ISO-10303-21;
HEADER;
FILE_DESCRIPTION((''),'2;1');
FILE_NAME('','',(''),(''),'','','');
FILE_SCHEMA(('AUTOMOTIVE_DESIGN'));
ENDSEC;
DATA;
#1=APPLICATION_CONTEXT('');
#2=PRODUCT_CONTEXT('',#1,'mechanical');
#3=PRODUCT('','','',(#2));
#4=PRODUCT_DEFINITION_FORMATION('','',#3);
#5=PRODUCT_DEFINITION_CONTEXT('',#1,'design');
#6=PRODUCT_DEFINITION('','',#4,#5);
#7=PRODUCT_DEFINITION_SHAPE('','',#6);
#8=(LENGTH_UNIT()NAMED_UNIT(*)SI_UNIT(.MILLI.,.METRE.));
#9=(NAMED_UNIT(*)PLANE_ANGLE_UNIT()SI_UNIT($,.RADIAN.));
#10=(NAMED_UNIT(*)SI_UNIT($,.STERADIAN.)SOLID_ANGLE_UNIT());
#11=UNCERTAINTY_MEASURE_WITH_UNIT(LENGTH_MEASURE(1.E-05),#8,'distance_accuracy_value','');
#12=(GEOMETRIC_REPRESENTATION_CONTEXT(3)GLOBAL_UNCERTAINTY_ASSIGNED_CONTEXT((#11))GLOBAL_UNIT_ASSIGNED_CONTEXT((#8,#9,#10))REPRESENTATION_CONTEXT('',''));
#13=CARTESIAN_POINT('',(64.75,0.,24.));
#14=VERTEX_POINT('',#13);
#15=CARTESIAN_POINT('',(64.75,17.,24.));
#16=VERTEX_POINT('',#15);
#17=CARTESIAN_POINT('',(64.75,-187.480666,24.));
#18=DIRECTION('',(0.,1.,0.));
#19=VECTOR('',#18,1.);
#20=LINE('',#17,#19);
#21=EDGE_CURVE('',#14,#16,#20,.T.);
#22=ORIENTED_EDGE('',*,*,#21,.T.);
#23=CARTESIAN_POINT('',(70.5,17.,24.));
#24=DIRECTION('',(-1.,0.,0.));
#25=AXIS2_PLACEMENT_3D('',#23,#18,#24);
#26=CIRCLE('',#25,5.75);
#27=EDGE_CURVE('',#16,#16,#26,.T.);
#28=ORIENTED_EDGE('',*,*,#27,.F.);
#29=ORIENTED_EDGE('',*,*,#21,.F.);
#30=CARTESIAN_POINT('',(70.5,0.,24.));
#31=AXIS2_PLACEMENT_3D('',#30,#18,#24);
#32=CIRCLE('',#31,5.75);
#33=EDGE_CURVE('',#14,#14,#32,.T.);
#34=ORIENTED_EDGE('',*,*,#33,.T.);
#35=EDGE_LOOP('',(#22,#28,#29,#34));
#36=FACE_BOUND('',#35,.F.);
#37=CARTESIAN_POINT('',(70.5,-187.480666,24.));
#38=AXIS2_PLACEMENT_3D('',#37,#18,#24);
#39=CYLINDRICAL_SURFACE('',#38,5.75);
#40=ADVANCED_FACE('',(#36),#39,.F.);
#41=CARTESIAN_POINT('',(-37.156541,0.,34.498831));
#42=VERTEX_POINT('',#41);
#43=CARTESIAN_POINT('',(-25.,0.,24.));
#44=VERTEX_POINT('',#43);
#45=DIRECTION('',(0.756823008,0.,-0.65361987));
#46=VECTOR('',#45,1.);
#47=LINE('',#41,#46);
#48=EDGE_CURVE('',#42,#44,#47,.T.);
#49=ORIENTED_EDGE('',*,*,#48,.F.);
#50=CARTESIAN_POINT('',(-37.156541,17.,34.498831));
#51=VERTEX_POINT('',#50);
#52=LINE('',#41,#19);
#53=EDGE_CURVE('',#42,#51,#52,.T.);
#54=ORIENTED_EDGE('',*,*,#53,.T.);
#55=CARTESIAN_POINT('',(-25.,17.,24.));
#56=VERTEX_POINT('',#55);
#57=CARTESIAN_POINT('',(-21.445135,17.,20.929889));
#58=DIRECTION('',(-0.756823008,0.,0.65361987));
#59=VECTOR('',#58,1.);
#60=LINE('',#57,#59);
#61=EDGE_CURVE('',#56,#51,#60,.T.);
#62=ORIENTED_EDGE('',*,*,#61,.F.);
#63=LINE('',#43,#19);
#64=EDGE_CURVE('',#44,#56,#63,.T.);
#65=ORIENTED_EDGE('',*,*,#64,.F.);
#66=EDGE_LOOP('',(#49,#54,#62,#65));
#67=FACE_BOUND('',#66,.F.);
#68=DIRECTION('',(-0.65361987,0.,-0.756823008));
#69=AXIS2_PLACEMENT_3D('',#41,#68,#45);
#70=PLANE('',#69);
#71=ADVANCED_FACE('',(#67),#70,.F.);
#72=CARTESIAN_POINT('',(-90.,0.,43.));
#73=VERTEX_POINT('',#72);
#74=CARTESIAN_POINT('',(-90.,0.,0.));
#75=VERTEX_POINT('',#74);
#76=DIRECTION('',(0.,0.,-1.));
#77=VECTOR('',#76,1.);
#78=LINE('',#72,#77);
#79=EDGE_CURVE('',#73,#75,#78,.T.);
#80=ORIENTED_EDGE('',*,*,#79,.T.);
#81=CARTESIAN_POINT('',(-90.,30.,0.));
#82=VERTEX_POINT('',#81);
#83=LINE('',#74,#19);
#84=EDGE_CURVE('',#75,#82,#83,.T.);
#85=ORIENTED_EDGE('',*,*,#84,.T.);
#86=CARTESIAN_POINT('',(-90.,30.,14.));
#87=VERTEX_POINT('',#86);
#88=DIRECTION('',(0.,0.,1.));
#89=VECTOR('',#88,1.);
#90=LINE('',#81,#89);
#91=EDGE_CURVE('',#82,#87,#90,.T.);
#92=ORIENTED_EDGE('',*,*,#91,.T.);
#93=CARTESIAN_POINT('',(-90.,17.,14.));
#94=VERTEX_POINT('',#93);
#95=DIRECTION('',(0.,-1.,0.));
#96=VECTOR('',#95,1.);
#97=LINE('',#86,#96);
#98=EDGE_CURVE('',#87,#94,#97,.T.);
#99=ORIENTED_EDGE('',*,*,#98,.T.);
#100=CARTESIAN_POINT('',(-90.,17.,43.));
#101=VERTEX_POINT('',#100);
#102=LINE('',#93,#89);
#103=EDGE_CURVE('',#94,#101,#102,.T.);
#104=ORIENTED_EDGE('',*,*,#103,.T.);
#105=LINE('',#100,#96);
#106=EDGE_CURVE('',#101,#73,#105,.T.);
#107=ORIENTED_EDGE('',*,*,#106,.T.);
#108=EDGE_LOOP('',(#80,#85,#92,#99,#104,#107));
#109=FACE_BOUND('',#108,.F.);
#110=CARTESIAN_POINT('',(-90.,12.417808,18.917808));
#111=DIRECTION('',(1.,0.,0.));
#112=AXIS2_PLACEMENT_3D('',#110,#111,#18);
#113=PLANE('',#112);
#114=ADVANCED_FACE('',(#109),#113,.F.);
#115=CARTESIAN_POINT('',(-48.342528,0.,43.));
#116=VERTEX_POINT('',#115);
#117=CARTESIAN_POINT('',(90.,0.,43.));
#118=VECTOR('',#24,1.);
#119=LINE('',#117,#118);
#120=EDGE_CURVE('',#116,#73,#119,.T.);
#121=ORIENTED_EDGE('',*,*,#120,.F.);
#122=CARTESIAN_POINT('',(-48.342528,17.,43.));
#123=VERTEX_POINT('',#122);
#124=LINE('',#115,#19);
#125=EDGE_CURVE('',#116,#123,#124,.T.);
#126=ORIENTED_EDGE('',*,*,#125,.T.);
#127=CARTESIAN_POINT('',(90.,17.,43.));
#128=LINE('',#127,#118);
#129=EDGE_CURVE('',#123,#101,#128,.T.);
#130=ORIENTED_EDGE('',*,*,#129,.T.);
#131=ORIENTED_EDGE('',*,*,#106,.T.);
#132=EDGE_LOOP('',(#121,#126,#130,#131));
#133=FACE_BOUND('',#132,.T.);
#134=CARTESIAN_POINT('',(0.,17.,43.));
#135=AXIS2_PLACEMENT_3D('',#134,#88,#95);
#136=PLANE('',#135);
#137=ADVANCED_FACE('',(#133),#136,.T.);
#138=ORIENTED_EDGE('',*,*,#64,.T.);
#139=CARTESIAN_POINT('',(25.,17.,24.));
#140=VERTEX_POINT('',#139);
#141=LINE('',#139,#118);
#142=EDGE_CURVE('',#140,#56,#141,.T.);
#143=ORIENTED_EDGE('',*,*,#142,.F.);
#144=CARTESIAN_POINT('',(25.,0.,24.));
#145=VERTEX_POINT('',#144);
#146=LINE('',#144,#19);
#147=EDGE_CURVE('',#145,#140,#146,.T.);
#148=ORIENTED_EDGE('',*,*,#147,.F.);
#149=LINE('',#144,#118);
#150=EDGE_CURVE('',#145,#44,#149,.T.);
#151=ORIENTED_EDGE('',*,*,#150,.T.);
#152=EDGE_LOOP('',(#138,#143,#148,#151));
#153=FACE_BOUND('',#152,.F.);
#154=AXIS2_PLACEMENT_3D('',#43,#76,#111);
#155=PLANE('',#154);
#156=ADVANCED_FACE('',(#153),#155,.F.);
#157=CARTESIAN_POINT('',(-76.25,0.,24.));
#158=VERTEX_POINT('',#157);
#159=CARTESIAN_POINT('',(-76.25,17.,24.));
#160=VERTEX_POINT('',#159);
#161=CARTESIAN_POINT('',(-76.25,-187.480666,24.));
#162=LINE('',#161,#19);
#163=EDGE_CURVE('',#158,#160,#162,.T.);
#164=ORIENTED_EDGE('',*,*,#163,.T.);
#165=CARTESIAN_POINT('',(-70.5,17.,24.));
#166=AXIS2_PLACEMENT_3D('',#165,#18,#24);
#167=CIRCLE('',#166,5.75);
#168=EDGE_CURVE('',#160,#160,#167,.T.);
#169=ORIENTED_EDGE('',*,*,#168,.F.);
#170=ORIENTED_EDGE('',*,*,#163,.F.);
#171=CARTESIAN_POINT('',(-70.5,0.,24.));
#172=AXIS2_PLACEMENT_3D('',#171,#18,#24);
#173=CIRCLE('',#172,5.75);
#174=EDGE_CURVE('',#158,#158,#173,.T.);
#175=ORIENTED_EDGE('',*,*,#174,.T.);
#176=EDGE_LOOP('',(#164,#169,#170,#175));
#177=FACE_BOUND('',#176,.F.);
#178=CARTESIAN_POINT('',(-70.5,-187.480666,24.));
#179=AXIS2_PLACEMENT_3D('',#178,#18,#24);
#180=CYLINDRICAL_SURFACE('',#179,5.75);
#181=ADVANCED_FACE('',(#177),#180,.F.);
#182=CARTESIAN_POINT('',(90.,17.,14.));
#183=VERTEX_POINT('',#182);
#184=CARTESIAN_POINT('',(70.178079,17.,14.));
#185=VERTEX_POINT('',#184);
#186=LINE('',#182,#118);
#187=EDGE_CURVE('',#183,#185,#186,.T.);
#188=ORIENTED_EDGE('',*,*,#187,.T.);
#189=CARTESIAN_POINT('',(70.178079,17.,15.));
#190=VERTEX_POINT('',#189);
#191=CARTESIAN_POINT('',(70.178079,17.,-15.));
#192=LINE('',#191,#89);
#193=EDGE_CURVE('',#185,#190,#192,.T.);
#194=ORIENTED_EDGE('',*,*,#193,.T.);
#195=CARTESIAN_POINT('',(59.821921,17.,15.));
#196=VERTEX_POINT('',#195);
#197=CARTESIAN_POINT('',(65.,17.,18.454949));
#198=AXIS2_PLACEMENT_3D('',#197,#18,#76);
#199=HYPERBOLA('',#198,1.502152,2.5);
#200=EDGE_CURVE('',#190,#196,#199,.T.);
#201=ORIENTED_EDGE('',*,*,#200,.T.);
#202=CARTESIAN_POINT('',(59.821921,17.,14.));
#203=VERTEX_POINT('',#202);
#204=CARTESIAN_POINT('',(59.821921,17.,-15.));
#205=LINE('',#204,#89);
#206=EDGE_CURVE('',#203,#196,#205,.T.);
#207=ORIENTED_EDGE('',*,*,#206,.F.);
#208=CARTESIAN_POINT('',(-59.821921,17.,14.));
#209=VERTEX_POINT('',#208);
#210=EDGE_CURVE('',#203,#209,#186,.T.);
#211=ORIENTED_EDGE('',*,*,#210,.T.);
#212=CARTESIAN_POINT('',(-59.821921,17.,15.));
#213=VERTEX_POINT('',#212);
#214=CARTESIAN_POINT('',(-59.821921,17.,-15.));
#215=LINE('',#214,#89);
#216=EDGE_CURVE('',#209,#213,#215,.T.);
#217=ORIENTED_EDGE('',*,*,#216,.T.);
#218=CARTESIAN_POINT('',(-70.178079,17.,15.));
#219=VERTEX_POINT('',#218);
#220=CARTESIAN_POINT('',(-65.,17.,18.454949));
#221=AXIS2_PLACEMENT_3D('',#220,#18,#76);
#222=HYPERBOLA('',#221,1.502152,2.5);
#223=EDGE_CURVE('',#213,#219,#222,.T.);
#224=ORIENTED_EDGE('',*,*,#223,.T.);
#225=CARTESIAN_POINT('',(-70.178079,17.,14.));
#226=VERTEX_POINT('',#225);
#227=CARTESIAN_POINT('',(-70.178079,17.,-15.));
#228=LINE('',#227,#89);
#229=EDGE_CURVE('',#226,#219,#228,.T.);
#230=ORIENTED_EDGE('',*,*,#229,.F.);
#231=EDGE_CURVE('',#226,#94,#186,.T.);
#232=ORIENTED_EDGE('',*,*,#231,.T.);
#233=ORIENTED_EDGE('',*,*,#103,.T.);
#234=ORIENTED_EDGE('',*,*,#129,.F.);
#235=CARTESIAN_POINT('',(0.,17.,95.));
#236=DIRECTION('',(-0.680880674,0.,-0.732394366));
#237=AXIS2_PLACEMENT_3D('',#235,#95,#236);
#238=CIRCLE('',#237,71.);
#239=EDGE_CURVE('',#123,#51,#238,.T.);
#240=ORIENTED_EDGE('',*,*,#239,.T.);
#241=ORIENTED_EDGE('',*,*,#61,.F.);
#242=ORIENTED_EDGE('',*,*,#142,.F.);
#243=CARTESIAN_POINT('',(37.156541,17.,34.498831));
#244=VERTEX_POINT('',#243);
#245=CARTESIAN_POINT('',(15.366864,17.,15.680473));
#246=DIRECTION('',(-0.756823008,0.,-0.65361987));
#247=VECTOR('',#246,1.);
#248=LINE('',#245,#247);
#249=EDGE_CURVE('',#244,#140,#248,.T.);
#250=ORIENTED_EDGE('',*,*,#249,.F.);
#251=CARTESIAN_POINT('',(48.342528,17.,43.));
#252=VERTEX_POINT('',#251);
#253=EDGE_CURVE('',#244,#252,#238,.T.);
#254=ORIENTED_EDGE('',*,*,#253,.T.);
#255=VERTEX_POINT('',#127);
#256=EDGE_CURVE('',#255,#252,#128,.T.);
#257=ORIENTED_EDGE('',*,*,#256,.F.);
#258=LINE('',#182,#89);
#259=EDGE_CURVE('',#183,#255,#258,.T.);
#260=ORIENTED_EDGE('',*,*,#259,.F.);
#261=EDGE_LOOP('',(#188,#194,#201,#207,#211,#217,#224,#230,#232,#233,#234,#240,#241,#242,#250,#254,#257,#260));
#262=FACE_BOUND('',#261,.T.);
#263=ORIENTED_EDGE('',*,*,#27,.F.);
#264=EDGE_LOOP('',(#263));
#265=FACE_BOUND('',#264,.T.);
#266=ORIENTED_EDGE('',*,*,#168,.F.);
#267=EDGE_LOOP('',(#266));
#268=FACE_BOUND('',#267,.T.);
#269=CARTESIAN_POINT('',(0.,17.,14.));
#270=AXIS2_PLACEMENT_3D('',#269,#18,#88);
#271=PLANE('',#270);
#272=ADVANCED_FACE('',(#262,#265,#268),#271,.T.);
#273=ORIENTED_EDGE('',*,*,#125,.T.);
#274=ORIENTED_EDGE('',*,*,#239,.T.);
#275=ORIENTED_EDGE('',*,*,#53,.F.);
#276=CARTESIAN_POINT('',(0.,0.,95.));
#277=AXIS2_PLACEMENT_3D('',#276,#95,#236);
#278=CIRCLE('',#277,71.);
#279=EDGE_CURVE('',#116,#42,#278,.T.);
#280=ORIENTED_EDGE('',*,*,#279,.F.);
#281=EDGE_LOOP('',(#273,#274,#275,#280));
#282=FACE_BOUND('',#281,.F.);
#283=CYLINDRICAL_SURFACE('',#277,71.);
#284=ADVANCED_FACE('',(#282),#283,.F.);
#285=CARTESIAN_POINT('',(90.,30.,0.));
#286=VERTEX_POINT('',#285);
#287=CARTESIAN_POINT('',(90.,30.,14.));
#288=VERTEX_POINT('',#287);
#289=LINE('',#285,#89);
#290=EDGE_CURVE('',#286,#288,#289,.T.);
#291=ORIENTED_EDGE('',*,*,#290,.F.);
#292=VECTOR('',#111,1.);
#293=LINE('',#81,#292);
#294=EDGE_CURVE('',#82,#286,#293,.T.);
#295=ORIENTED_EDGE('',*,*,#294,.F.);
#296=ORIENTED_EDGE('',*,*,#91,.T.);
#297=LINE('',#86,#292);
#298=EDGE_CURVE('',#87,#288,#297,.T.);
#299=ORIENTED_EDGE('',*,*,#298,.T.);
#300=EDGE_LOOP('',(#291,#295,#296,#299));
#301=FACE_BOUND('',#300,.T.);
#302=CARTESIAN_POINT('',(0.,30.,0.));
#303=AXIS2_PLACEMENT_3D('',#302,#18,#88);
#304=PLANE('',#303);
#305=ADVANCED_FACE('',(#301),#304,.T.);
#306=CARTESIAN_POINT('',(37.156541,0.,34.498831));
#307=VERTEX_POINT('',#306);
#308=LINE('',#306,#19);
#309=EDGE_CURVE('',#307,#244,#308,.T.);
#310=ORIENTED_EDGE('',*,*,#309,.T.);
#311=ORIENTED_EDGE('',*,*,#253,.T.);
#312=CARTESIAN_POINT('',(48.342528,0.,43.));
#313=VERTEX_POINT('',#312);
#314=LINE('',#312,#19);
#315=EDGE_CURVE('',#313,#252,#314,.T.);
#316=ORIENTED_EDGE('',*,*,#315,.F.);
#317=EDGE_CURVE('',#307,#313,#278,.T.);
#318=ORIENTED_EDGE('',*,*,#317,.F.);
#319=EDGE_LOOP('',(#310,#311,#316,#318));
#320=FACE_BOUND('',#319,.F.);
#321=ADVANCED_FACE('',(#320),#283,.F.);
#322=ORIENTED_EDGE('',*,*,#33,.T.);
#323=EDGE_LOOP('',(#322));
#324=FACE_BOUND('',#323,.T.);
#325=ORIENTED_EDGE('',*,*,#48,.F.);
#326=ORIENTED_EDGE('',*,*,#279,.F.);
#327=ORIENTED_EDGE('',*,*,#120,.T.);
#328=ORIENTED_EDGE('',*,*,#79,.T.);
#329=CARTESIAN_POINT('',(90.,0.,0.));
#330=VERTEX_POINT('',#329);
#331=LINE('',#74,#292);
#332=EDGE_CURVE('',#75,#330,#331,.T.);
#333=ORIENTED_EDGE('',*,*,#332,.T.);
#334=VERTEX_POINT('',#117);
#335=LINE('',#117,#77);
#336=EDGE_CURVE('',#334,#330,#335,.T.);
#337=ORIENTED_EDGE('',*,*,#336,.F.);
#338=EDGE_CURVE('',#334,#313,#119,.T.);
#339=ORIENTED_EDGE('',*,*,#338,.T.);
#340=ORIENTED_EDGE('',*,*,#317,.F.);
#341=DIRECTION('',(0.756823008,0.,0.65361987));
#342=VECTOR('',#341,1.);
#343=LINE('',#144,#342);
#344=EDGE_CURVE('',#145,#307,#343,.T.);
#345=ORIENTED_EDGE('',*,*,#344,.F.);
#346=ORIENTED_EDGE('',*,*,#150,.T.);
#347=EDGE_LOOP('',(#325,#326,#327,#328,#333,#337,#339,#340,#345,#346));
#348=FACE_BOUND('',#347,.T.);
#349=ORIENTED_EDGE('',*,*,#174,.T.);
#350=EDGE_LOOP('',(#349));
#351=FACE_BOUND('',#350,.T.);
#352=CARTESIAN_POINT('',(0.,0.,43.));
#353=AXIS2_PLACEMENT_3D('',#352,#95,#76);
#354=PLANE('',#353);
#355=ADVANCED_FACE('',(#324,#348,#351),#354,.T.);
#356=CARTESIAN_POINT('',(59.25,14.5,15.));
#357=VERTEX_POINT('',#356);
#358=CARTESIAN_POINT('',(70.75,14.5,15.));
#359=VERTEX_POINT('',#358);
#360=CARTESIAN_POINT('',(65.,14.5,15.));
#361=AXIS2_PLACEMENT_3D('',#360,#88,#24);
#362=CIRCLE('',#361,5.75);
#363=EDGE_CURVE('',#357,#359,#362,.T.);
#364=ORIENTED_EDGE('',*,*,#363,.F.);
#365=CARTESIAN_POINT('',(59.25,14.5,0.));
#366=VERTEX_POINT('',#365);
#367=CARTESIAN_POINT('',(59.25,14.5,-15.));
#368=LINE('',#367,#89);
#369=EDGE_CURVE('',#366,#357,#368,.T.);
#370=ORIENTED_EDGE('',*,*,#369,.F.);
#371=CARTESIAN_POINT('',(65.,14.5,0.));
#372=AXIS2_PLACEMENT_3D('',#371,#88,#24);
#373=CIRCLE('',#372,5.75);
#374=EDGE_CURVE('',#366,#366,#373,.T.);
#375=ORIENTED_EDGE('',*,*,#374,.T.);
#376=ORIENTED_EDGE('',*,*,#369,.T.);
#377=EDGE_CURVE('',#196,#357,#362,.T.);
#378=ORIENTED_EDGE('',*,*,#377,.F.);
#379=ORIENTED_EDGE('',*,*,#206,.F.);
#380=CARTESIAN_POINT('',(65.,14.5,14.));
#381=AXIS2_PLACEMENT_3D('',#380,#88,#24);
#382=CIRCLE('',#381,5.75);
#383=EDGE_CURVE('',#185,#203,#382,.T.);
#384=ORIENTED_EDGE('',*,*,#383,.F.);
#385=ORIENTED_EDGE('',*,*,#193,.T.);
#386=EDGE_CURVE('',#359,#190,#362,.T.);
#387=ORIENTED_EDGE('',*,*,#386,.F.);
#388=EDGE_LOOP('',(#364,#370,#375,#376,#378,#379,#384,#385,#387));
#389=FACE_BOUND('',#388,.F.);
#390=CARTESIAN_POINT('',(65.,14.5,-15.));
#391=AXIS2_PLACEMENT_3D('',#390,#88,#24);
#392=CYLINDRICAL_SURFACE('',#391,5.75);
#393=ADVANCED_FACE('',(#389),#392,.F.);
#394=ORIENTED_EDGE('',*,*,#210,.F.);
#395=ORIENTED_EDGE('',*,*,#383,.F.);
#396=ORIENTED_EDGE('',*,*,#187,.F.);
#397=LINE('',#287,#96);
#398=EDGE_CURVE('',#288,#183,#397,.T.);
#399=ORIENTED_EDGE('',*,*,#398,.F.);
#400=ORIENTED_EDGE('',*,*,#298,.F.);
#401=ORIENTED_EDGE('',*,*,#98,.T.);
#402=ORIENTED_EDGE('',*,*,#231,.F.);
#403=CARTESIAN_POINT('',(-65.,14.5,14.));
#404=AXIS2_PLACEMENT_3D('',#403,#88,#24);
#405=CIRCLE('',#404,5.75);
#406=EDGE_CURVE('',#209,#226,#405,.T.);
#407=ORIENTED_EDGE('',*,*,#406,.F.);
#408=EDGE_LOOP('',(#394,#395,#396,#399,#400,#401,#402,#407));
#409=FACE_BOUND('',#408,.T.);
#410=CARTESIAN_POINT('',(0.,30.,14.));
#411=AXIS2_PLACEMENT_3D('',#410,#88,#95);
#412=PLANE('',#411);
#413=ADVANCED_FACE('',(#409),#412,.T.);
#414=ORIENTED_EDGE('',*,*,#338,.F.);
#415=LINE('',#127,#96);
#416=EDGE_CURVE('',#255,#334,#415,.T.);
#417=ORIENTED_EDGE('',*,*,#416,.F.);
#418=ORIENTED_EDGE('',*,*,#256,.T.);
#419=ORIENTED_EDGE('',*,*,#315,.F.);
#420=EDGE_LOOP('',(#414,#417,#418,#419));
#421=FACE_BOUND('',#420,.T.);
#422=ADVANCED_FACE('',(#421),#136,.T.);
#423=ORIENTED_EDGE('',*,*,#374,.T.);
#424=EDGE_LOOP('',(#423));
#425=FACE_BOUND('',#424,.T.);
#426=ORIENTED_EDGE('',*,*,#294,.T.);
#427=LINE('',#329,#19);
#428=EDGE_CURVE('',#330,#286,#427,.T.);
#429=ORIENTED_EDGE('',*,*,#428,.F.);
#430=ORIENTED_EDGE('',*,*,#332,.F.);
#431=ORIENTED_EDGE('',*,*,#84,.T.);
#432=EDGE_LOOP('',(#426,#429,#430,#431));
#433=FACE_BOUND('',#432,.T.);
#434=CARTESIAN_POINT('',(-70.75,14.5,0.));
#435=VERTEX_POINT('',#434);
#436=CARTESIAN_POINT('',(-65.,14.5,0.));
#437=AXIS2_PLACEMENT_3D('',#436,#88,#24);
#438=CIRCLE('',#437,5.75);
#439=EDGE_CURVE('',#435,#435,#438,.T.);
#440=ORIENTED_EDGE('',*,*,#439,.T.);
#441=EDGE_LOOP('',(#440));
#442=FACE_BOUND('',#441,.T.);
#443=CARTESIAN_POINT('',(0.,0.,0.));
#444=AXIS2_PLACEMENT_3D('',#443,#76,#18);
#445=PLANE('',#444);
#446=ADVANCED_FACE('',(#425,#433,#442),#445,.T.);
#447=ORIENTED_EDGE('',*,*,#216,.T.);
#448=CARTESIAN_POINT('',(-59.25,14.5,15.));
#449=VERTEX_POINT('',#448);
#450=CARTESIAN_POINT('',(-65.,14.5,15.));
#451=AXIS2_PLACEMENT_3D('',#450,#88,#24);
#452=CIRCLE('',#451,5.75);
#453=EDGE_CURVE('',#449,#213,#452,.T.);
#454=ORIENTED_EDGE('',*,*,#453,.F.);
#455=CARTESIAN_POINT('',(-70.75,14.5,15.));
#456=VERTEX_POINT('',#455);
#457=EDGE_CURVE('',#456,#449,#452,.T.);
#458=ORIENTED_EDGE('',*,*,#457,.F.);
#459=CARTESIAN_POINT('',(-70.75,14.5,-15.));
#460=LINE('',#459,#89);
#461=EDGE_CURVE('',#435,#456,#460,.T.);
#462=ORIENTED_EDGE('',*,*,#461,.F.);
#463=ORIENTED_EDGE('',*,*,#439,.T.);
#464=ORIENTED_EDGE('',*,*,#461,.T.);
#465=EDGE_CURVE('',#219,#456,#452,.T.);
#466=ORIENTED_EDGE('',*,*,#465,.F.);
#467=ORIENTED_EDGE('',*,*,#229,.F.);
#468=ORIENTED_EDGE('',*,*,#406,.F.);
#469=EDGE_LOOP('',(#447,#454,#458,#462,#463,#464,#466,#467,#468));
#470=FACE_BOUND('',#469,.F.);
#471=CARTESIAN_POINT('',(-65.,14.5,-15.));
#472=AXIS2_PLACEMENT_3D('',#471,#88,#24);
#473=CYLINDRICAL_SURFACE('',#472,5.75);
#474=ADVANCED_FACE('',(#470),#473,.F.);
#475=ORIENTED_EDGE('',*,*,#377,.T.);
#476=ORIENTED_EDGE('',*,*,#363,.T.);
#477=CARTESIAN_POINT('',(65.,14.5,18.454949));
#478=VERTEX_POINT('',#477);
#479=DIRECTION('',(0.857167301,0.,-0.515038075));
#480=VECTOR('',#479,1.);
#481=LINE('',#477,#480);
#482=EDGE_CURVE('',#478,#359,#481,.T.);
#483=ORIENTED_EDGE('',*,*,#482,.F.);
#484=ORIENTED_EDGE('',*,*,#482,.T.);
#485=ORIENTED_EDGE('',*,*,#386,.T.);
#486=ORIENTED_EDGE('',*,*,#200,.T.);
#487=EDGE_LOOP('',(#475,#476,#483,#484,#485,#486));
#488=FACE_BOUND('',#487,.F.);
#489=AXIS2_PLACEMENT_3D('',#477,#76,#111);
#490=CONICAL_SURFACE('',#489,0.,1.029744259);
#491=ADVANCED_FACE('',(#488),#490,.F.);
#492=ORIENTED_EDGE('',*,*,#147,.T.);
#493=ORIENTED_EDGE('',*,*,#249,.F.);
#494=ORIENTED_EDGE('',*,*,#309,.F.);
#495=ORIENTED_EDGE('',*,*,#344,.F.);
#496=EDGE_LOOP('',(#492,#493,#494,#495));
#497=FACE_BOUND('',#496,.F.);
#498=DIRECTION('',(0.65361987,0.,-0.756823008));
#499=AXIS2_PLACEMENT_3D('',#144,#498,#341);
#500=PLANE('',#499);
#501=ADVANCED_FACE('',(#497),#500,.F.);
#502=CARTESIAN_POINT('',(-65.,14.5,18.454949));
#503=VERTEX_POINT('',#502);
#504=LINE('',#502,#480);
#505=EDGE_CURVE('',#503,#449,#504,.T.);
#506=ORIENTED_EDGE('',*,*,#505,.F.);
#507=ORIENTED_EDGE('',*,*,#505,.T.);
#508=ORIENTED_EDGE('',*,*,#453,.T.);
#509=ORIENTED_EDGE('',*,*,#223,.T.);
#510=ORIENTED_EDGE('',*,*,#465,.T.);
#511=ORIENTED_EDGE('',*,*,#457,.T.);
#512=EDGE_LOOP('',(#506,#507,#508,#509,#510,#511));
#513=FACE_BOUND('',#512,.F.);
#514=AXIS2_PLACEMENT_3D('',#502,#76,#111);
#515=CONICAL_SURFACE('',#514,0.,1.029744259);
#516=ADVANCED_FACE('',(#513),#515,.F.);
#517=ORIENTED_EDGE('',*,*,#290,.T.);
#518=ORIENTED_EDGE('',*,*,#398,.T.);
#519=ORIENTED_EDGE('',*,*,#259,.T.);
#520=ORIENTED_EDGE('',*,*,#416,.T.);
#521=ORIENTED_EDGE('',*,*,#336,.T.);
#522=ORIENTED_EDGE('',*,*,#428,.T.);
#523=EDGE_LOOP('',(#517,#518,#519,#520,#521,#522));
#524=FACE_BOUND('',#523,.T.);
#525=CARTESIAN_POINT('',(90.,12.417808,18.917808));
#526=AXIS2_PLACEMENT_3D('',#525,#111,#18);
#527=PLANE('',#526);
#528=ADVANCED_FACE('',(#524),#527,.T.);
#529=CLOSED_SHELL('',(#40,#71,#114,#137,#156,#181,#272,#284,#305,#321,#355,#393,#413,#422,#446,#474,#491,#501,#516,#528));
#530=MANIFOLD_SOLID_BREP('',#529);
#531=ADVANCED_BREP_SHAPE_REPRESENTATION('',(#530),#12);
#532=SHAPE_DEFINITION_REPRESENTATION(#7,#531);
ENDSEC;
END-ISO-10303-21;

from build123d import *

# Parameters (mm, degrees)
F1_DEPTH = 90
F3_D     = 11.5
F3_DEPTH = 15
F3_TIP   = 3.4549485594
F5_DEPTH = 30.001
F7_D     = 11.5
F9_DEPTH = 30.001


with BuildPart() as f1:
    # F0 (on Right) → F1 (new body, symmetric)
    with BuildSketch(Plane.YZ):
        Polygon((0, 43), (0, 0), (30, 0), (30, 14), (17, 14), (17, 43), align=None)
    extrude(amount=F1_DEPTH, both=True)

    # F3
    with Locations(Plane(origin=(0, 0, 0), x_dir=(1, 0, 0), z_dir=(0, 0, -1))):
        with Locations((65, -14.5), (-65, -14.5)):
            Hole(F3_D / 2, depth=F3_DEPTH)
            with Locations((0, 0, -(F3_DEPTH + F3_TIP / 2))):  # 118° drill point
                Cone(0, F3_D / 2, F3_TIP, mode=Mode.SUBTRACT)

    # F4 (on face) → F5 (cut, through all)
    with BuildSketch(Plane.XZ):
        with BuildLine():
            Line((48.3425278611, 43), (-48.3425278611, 43))
            ThreePointArc((-48.3425278611, 43), (0, 24), (48.3425278611, 43))
        make_face()
    extrude(amount=-F5_DEPTH, mode=Mode.SUBTRACT)

    # F7 (through all)
    with Locations(Plane.XZ):
        with Locations((-70.5, 24), (70.5, 24)):
            Hole(F7_D / 2)

    # F8 (on face) → F9 (cut, through all)
    with BuildSketch(Plane.XZ):
        with BuildLine():
            Line((0, 43), (-47, 43))
            Line((-47, 43), (-37.1565411971, 34.4988310339))
            ThreePointArc((-37.1565411971, 34.4988310339), (-19.305659836, 26.6751033788), (0, 24))
            Line((0, 24), (0, 43))
        make_face()
        with BuildLine():
            ThreePointArc((0, 24), (-19.305659836, 26.6751033788), (-37.1565411971, 34.4988310339))
            Line((-37.1565411971, 34.4988310339), (-25, 24))
            Line((-25, 24), (0, 24))
        make_face()
        with BuildLine():
            Line((47, 43), (0, 43))
            Line((0, 43), (0, 24))
            ThreePointArc((0, 24), (19.305659836, 26.6751033788), (37.1565411971, 34.4988310339))
            Line((37.1565411971, 34.4988310339), (47, 43))
        make_face()
        with BuildLine():
            ThreePointArc((37.1565411971, 34.4988310339), (19.305659836, 26.6751033788), (0, 24))
            Line((0, 24), (25, 24))
            Line((25, 24), (37.1565411971, 34.4988310339))
        make_face()
    extrude(amount=-F9_DEPTH, mode=Mode.SUBTRACT)


solid = f1.part
